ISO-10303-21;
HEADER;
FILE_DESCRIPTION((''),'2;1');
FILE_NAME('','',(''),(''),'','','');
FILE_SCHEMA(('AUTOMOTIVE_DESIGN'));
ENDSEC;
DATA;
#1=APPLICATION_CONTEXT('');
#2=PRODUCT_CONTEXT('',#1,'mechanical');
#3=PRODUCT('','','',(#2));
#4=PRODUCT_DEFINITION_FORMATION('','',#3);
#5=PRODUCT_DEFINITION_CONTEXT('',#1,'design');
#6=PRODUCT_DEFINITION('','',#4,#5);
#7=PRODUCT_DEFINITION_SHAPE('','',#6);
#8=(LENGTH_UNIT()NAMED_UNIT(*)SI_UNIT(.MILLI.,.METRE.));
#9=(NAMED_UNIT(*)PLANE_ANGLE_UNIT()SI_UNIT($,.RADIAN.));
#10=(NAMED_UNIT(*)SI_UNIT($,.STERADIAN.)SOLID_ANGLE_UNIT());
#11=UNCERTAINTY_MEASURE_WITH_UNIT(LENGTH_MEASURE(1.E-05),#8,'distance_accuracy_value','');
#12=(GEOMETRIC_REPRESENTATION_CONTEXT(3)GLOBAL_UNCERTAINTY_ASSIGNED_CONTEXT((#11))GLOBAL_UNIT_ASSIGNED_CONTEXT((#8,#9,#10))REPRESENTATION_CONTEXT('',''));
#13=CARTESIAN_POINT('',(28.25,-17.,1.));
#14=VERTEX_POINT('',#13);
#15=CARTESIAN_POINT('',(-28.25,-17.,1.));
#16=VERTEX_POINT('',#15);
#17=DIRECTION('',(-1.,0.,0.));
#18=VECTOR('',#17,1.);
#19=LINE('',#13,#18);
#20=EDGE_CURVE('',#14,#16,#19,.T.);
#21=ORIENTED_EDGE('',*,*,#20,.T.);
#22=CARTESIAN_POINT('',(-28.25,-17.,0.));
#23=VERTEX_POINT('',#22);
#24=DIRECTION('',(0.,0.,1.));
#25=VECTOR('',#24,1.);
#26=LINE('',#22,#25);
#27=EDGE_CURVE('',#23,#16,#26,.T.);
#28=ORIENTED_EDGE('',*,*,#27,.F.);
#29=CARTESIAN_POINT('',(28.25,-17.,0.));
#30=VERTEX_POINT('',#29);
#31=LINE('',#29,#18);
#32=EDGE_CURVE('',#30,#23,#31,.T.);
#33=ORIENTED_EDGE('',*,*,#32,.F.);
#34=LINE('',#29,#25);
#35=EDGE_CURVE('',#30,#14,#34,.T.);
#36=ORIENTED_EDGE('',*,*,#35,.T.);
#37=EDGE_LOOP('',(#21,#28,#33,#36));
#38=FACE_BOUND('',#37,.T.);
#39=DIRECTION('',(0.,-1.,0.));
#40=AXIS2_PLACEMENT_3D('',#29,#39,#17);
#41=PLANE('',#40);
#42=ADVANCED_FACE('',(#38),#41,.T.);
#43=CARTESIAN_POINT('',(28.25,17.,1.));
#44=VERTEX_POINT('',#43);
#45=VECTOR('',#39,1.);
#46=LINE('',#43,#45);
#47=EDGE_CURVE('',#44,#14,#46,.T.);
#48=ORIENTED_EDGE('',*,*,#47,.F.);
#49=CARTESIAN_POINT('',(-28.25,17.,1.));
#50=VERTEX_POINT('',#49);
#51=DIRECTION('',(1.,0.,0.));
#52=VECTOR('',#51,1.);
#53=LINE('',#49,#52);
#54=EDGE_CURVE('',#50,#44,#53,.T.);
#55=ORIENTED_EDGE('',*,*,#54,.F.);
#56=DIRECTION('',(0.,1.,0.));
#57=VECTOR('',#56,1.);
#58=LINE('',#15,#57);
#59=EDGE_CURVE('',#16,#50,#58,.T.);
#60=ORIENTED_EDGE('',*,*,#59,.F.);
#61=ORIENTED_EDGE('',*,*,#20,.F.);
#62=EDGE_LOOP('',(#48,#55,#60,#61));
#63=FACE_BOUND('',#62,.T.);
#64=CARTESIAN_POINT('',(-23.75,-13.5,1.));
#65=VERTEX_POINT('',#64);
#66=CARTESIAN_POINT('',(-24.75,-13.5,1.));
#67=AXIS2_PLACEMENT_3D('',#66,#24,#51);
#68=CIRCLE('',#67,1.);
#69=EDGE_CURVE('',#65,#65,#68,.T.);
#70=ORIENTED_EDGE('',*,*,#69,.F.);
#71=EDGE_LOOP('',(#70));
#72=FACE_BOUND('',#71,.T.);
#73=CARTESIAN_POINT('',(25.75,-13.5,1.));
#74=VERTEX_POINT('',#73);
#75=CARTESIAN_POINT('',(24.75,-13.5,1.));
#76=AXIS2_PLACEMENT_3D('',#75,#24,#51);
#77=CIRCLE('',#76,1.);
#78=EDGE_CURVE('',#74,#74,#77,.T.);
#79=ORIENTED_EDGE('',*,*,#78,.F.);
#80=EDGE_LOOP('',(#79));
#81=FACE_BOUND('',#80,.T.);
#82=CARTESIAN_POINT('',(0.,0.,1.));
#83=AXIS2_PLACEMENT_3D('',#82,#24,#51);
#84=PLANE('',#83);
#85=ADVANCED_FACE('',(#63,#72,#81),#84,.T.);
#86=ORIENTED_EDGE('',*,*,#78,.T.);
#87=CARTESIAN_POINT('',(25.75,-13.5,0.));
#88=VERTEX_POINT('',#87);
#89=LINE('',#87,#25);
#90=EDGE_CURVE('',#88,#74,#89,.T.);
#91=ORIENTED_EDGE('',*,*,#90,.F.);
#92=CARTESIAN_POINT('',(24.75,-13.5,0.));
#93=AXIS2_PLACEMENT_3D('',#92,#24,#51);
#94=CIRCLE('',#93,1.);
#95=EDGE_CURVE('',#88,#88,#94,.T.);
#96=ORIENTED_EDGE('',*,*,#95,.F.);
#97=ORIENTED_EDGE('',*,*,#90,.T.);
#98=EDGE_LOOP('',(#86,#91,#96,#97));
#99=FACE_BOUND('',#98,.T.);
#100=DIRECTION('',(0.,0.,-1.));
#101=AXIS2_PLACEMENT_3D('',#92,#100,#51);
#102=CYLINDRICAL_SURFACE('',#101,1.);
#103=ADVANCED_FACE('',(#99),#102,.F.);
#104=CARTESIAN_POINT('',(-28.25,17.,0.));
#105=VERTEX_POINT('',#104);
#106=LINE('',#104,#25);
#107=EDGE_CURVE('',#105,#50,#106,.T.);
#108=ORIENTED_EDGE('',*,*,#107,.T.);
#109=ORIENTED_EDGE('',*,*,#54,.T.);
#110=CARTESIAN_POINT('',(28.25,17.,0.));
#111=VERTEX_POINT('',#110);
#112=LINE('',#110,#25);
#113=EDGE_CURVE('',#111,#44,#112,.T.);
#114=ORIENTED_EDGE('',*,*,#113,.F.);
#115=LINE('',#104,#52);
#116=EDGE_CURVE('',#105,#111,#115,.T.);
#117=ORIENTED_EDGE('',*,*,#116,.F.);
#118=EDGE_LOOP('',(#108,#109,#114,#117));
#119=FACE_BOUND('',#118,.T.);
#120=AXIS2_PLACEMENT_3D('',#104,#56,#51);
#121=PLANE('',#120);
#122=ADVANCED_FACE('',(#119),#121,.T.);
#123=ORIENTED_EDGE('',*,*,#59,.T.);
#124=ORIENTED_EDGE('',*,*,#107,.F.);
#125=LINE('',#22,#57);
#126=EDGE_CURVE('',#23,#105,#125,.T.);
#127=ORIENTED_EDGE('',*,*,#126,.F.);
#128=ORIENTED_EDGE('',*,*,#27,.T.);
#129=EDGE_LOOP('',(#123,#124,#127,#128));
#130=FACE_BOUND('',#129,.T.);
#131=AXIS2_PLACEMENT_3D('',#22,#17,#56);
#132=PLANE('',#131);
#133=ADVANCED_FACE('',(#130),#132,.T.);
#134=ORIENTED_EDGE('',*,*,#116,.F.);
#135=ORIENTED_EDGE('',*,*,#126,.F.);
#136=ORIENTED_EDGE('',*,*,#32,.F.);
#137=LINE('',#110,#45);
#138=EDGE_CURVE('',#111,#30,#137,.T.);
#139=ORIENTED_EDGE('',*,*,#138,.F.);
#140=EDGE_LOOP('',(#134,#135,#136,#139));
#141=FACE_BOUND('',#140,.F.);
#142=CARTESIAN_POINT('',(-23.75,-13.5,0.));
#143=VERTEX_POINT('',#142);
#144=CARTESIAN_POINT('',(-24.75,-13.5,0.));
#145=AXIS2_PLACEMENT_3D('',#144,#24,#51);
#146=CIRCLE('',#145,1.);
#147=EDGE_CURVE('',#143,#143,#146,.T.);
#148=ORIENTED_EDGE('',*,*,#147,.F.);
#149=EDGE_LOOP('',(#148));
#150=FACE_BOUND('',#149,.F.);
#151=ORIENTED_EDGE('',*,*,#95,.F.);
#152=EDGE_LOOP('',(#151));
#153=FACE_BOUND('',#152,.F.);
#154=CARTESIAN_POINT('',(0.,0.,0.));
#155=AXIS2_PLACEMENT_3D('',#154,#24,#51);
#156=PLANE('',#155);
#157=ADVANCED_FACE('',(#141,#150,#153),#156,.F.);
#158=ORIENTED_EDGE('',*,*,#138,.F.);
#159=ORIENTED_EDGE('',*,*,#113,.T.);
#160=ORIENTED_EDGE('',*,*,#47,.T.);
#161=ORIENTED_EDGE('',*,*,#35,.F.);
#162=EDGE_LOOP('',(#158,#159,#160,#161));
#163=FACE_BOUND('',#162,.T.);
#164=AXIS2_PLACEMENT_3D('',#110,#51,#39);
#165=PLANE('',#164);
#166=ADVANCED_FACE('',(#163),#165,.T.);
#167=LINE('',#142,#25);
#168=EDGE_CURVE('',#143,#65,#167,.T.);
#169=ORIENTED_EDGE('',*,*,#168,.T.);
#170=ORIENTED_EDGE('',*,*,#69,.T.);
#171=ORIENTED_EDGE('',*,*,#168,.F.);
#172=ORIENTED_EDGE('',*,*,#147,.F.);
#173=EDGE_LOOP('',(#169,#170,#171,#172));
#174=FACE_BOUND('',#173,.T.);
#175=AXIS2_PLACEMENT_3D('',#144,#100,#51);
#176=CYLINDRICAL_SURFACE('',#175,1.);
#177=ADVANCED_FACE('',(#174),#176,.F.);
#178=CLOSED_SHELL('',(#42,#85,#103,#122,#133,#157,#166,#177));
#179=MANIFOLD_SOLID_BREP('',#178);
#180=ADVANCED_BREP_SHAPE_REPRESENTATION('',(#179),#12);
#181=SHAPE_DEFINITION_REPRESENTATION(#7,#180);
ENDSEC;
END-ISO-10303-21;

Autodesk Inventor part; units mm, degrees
ref_plane "YZ Plane" through (0, 0, 0) normal (1, 0, 0) x (0, 1, 0)
ref_plane "XZ Plane" through (0, 0, 0) normal (0, 1, 0) x (-1, 0, 0)
ref_plane "XY Plane" through (0, 0, 0) normal (0, 0, 1) x (1, 0, 0)
sketch "Sketch1" plane through (0, 0, 0) normal (0, 0, 1) x (1, 0, 0)
  line L0 (0, 10.3253) -> (0, -8.0216)
  line L1 (-8.0216, 0) -> (9.2969, 0)
  line L2 (-28.25, 17) -> (28.25, 17)
  line L3 (28.25, 17) -> (28.25, -17)
  line L4 (28.25, -17) -> (-28.25, -17)
  line L5 (-28.25, -17) -> (-28.25, 17)
  circle A0 centre (-24.75, -13.5) radius 1
  circle A1 centre (24.75, -13.5) radius 1
  point P0 (0, 0)
  dimension "d0" = 56.5
  dimension "d1" = 34
  dimension "d6" = 3.5
  dimension "d7" = 2
  dimension "d8" = 49.5
extrude "Extrusion1" add sketch "Sketch1" along normal blind 1
properties part number "devre kartı"
